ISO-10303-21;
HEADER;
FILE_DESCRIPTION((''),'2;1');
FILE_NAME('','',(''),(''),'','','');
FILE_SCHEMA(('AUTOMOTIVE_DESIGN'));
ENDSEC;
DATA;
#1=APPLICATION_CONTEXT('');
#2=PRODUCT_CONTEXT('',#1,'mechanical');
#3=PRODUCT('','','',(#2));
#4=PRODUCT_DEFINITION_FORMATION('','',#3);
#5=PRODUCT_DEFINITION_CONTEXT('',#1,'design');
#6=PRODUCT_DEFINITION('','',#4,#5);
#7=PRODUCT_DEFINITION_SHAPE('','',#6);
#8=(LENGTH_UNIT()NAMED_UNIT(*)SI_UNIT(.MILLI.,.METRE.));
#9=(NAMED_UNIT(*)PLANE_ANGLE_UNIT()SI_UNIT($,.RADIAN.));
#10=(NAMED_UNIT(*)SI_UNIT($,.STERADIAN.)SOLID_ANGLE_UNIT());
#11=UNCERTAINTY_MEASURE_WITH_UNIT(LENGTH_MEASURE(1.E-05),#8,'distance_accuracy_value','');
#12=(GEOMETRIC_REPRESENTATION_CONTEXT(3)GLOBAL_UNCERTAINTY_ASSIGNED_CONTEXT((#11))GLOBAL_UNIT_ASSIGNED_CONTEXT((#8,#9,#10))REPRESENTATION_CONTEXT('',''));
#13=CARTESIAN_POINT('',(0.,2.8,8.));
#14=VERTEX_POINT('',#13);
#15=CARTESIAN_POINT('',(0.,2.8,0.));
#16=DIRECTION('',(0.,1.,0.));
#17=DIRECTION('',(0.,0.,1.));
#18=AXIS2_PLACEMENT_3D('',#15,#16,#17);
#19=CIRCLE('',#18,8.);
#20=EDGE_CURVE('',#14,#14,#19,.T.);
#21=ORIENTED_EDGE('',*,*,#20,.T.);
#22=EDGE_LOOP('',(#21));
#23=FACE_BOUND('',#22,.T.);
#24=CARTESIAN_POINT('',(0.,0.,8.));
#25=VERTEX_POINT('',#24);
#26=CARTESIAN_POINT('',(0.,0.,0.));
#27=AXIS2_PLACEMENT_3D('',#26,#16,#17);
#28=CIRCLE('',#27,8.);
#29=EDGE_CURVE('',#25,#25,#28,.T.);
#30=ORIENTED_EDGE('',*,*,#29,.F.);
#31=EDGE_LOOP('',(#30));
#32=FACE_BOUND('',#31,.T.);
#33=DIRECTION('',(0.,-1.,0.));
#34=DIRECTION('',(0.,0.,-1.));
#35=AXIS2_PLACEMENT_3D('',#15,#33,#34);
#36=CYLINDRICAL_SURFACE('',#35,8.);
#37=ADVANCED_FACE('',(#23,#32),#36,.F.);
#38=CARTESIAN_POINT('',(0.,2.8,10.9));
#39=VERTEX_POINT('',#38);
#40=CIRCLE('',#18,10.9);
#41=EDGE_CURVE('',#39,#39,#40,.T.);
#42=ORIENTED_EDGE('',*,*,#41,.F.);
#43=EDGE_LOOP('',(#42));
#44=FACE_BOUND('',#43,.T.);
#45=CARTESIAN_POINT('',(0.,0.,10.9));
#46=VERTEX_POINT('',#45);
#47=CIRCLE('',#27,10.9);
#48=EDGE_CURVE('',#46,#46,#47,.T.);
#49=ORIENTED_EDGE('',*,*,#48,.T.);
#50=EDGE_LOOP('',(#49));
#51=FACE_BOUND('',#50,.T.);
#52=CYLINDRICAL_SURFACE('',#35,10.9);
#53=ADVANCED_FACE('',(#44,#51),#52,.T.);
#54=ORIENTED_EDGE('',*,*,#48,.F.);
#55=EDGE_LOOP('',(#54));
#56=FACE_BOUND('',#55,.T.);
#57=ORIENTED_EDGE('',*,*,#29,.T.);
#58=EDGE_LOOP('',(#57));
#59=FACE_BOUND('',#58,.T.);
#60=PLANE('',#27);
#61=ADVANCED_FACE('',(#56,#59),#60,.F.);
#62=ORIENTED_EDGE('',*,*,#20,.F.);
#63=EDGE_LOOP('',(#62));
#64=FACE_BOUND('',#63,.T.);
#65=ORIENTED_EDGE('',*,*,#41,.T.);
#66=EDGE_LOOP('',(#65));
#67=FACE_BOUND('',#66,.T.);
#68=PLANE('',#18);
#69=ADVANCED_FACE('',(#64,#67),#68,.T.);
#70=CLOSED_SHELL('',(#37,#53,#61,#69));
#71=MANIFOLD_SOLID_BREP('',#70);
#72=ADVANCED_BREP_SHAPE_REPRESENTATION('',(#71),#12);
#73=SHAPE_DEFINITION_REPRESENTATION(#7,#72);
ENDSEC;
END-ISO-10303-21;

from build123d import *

# Parameters (mm, degrees)
SKETCH1_R           = 10.9
SKETCH1_R_2         = 8
BOSS_EXTRUDE1_DEPTH = 2.8


with BuildPart() as part:
    # Sketch1 → Boss-Extrude1 (new body)
    with BuildSketch(Plane(origin=(0, 0, 0), x_dir=(1, 0, 0), z_dir=(0, 1, 0))):
        Circle(SKETCH1_R)
        Circle(SKETCH1_R_2, mode=Mode.SUBTRACT)
    extrude(amount=BOSS_EXTRUDE1_DEPTH)


solid = part.part
